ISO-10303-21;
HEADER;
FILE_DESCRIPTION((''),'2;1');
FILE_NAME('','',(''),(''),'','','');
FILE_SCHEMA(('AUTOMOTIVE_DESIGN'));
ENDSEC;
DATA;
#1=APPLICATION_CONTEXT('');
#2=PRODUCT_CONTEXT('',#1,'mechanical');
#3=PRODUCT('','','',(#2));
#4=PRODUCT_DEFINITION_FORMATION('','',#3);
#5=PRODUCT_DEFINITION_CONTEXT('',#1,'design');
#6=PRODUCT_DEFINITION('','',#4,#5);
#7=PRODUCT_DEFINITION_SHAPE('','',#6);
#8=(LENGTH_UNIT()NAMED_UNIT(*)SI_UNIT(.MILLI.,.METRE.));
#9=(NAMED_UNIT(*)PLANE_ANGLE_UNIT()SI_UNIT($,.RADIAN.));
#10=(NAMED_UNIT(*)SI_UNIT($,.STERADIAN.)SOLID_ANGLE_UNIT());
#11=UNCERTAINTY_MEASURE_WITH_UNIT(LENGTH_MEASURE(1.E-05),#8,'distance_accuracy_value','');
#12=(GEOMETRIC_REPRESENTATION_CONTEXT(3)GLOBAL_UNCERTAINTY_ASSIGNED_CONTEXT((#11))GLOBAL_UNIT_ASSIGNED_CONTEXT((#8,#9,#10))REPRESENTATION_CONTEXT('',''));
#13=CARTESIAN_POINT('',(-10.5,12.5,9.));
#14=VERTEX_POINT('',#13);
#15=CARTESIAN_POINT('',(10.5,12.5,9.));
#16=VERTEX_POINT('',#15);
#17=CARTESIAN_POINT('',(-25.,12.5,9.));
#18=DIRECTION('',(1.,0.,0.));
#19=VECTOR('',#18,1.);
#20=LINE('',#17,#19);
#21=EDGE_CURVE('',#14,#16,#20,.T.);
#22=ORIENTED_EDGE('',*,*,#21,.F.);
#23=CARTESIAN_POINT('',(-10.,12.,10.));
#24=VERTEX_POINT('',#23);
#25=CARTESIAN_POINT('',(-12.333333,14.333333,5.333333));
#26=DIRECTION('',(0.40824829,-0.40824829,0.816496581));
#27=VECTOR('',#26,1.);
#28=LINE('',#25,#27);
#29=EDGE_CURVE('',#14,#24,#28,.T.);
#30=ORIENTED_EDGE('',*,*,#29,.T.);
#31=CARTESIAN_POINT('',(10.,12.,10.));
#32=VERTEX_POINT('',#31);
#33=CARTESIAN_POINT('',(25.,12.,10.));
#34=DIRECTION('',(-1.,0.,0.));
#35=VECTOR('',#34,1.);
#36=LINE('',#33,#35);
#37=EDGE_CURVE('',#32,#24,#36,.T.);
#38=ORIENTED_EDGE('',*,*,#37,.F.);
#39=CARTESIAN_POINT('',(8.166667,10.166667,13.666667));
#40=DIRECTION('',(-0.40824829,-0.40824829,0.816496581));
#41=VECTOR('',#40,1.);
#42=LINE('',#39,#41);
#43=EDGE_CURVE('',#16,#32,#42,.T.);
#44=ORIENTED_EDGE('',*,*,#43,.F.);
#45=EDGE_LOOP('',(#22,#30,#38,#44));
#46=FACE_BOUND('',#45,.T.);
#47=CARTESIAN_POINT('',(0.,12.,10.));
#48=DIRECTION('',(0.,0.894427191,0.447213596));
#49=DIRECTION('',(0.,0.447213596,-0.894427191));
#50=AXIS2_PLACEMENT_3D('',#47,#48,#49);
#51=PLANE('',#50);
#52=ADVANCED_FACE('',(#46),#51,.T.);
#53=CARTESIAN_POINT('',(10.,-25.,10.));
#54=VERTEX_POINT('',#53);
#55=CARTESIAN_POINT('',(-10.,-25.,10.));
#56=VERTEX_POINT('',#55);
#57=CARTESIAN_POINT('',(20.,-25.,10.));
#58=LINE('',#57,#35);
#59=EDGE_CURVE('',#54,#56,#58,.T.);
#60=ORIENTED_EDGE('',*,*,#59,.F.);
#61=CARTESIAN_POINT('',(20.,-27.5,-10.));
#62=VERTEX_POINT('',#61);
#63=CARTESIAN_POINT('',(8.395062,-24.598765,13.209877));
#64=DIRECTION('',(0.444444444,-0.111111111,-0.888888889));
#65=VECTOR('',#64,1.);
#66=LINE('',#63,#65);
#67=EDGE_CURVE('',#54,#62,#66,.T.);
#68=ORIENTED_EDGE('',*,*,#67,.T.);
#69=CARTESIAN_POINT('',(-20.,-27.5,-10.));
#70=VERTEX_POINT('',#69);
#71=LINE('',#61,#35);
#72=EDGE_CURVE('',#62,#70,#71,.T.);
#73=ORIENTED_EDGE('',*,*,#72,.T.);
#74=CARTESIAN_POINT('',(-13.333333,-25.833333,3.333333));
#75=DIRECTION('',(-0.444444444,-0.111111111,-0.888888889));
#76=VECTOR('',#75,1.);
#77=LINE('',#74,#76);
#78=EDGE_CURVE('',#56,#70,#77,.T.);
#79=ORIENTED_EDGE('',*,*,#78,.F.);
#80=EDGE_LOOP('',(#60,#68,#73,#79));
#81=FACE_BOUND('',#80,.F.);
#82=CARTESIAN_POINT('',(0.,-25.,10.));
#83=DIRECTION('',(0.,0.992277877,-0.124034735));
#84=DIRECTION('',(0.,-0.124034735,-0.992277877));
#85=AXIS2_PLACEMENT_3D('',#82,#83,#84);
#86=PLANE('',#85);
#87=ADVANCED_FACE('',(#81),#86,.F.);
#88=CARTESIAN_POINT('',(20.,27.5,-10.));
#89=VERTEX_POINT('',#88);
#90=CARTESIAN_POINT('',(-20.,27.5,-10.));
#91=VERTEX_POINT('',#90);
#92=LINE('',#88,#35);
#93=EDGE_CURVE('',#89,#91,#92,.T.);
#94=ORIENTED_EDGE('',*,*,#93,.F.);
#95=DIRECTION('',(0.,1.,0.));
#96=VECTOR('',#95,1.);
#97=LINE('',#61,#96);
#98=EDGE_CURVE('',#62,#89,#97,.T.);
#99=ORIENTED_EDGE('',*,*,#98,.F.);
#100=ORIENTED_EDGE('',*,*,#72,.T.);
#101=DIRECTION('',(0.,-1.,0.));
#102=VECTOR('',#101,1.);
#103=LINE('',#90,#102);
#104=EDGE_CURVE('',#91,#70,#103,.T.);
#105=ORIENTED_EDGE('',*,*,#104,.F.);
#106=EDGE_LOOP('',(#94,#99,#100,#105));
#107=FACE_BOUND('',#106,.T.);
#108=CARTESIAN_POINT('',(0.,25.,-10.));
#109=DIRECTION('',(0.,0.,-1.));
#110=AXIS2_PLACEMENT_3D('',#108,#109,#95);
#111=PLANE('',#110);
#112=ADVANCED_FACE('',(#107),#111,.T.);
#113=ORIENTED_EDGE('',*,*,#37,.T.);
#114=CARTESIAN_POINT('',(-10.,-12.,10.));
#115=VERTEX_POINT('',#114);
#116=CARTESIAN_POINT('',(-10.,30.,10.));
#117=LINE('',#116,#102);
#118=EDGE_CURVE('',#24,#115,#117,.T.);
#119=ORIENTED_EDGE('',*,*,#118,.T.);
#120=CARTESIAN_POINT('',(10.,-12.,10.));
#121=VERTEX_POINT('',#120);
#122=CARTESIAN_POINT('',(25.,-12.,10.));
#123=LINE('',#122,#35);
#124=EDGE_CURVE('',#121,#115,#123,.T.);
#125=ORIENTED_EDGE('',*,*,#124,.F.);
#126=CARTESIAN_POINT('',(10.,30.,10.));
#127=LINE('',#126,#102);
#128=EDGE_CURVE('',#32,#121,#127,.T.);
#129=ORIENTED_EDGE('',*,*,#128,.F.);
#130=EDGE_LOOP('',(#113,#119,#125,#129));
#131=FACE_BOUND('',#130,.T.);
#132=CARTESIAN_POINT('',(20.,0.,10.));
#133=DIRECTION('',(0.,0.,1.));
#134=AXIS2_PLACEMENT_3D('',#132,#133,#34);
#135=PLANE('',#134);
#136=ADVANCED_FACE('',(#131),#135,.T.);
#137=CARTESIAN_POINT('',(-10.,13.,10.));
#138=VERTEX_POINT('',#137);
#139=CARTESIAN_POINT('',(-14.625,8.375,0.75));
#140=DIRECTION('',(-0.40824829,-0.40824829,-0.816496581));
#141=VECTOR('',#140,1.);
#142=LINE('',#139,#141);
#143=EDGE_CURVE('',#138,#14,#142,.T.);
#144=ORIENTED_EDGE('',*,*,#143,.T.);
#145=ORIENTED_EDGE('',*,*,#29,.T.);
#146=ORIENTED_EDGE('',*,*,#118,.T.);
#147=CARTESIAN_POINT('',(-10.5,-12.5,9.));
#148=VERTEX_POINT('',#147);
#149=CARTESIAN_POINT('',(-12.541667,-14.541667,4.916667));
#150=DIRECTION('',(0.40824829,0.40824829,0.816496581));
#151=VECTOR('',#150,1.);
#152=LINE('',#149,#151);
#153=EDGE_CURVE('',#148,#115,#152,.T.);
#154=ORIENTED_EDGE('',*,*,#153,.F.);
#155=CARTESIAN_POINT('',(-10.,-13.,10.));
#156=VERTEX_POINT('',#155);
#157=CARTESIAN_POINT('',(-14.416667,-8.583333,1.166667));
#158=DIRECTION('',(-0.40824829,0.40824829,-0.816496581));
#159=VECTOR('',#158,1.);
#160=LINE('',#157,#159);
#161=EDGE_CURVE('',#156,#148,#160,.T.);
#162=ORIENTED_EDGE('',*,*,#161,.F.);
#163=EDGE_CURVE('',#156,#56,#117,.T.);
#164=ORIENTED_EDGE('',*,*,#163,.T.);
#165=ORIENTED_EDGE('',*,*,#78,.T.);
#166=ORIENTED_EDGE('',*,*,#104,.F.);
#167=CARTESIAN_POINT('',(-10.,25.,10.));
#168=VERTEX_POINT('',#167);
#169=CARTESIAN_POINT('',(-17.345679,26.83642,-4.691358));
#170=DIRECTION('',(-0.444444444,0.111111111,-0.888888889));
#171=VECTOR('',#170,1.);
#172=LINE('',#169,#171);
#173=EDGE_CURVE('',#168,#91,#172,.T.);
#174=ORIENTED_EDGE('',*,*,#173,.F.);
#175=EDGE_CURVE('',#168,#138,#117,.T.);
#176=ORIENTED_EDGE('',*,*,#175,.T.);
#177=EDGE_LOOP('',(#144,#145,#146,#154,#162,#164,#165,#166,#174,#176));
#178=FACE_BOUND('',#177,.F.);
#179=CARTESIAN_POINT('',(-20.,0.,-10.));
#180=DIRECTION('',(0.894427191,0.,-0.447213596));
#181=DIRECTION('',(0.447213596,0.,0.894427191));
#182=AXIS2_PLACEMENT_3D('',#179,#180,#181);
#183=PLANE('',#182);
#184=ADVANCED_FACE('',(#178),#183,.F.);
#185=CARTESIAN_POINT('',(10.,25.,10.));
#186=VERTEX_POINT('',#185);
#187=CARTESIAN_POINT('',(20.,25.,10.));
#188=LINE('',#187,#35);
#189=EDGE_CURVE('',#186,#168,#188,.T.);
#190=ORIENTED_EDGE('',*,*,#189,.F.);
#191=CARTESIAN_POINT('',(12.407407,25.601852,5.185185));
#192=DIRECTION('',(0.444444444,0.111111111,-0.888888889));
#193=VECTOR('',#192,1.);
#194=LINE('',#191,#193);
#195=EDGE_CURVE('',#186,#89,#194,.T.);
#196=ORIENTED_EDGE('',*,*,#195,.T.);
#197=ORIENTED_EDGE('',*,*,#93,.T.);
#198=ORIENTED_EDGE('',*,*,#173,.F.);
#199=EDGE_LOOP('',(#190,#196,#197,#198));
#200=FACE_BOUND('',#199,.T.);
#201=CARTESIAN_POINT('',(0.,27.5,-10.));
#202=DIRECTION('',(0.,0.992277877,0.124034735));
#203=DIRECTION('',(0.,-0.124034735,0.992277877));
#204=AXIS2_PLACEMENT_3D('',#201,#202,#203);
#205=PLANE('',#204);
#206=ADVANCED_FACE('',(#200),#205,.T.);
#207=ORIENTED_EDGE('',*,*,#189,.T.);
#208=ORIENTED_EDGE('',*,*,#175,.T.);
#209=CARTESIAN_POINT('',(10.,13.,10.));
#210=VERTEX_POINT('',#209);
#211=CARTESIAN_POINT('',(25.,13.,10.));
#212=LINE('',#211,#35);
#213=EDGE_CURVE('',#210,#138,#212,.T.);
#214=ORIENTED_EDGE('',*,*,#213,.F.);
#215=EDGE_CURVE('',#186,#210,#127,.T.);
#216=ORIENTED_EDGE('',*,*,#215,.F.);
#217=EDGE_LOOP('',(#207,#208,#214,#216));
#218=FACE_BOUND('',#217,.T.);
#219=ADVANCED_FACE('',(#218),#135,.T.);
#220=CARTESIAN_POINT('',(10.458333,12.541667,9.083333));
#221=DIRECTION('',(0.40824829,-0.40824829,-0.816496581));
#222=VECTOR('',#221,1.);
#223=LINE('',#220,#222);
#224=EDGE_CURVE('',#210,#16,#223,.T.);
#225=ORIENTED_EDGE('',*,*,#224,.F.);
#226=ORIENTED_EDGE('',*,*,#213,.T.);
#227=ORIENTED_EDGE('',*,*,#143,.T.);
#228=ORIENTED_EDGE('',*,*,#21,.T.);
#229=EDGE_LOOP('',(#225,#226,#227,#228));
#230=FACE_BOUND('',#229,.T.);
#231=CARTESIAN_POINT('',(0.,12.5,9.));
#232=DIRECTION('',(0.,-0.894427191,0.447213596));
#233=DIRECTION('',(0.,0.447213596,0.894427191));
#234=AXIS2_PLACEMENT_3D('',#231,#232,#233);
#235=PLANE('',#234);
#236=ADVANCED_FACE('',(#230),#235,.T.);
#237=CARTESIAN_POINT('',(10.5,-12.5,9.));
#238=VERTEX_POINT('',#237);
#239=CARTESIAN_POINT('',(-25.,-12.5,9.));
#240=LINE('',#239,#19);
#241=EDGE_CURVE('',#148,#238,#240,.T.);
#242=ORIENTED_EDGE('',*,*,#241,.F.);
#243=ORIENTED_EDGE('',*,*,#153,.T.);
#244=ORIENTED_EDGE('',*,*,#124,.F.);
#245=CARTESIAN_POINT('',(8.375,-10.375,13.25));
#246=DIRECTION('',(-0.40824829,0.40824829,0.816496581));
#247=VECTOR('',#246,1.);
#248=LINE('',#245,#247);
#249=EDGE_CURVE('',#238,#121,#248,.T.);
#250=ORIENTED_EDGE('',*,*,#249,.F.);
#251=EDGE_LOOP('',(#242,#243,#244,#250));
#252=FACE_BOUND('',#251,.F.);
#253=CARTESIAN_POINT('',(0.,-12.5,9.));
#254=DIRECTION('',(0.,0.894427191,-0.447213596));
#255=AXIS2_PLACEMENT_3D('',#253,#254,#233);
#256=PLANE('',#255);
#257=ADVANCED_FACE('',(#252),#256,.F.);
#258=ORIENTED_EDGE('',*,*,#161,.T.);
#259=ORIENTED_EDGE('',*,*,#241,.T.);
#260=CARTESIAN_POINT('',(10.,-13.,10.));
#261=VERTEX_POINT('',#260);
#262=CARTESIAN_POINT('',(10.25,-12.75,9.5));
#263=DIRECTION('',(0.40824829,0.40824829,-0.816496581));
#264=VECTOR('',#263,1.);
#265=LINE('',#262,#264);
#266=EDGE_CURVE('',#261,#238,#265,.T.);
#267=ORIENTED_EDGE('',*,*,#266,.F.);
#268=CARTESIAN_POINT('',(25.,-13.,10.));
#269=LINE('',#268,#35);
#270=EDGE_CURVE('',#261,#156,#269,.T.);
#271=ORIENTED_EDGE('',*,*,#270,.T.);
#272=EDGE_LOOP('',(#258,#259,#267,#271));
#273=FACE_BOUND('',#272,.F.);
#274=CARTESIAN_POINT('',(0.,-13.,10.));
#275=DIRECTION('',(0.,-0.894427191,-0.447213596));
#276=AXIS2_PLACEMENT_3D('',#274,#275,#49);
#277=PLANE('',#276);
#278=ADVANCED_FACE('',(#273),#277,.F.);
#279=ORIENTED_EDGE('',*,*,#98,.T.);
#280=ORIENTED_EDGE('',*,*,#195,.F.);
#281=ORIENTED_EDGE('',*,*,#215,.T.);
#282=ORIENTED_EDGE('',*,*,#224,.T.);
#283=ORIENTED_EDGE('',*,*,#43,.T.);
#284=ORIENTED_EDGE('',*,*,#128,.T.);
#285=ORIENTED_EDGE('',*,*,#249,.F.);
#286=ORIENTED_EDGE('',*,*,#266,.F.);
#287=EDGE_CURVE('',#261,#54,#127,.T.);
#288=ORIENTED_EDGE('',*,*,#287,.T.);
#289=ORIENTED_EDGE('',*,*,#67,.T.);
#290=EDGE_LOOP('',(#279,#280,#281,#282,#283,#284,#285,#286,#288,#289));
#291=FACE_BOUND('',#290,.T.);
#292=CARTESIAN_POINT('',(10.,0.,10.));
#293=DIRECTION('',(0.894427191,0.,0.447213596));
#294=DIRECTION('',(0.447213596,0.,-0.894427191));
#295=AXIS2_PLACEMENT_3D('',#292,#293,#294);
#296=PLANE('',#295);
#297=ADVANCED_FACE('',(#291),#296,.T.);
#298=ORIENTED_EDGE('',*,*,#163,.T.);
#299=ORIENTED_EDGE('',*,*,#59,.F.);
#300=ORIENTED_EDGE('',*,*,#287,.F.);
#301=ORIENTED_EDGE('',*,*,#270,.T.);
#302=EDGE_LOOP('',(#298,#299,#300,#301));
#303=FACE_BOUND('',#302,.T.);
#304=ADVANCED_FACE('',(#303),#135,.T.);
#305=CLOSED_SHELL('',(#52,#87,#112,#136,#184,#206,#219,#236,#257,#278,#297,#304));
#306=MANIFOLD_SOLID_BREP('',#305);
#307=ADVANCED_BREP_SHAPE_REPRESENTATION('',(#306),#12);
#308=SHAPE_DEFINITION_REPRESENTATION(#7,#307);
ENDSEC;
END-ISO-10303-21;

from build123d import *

# Parameters (mm, degrees)
F0_W     = 20
F0_H     = 20
F1_DEPTH = 25
F3_DEPTH = 20
F4_DEPTH = 30
F5_DEPTH = 25


with BuildPart() as f1:
    # F0 (on Front) → F1 (new body, symmetric)
    with BuildSketch(Plane.XZ):
        Rectangle(F0_W, F0_H)
        Polygon((20, -10), (10, 10), (10, -10), align=None)
        Polygon((20, 10), (10, 10), (20, -10), align=None)
        Polygon((-10, -10), (-10, 10), (-20, -10), align=None)
        Polygon((-20, -10), (-10, 10), (-20, 10), align=None)
    extrude(amount=F1_DEPTH, both=True)

    # F2 (on Right) → F3 (join, symmetric)
    with BuildSketch(Plane.YZ):
        Polygon((-25, -10), (-25, 0), (-25, 10), (-27.5, -10), align=None)
        Polygon((25, 10), (25, 0), (25, -10), (27.5, -10), align=None)
    extrude(amount=F3_DEPTH, both=True)

    # F0 (on Front) → F4 (cut, symmetric)
    with BuildSketch(Plane.XZ):
        Polygon((20, 10), (10, 10), (20, -10), align=None)
        Polygon((-20, -10), (-10, 10), (-20, 10), align=None)
    extrude(amount=F4_DEPTH, both=True, mode=Mode.SUBTRACT)

    # F2 (on Right) → F5 (cut, symmetric)
    with BuildSketch(Plane.YZ):
        Polygon((12.5, 9), (12.5, 10), (12, 10), align=None)
        Polygon((12.5, 9), (13, 10), (12.5, 10), align=None)
        Polygon((-12.5, 10), (-13, 10), (-12.5, 9), align=None)
        Polygon((-12, 10), (-12.5, 10), (-12.5, 9), align=None)
    extrude(amount=F5_DEPTH, both=True, mode=Mode.SUBTRACT)


solid = f1.part
